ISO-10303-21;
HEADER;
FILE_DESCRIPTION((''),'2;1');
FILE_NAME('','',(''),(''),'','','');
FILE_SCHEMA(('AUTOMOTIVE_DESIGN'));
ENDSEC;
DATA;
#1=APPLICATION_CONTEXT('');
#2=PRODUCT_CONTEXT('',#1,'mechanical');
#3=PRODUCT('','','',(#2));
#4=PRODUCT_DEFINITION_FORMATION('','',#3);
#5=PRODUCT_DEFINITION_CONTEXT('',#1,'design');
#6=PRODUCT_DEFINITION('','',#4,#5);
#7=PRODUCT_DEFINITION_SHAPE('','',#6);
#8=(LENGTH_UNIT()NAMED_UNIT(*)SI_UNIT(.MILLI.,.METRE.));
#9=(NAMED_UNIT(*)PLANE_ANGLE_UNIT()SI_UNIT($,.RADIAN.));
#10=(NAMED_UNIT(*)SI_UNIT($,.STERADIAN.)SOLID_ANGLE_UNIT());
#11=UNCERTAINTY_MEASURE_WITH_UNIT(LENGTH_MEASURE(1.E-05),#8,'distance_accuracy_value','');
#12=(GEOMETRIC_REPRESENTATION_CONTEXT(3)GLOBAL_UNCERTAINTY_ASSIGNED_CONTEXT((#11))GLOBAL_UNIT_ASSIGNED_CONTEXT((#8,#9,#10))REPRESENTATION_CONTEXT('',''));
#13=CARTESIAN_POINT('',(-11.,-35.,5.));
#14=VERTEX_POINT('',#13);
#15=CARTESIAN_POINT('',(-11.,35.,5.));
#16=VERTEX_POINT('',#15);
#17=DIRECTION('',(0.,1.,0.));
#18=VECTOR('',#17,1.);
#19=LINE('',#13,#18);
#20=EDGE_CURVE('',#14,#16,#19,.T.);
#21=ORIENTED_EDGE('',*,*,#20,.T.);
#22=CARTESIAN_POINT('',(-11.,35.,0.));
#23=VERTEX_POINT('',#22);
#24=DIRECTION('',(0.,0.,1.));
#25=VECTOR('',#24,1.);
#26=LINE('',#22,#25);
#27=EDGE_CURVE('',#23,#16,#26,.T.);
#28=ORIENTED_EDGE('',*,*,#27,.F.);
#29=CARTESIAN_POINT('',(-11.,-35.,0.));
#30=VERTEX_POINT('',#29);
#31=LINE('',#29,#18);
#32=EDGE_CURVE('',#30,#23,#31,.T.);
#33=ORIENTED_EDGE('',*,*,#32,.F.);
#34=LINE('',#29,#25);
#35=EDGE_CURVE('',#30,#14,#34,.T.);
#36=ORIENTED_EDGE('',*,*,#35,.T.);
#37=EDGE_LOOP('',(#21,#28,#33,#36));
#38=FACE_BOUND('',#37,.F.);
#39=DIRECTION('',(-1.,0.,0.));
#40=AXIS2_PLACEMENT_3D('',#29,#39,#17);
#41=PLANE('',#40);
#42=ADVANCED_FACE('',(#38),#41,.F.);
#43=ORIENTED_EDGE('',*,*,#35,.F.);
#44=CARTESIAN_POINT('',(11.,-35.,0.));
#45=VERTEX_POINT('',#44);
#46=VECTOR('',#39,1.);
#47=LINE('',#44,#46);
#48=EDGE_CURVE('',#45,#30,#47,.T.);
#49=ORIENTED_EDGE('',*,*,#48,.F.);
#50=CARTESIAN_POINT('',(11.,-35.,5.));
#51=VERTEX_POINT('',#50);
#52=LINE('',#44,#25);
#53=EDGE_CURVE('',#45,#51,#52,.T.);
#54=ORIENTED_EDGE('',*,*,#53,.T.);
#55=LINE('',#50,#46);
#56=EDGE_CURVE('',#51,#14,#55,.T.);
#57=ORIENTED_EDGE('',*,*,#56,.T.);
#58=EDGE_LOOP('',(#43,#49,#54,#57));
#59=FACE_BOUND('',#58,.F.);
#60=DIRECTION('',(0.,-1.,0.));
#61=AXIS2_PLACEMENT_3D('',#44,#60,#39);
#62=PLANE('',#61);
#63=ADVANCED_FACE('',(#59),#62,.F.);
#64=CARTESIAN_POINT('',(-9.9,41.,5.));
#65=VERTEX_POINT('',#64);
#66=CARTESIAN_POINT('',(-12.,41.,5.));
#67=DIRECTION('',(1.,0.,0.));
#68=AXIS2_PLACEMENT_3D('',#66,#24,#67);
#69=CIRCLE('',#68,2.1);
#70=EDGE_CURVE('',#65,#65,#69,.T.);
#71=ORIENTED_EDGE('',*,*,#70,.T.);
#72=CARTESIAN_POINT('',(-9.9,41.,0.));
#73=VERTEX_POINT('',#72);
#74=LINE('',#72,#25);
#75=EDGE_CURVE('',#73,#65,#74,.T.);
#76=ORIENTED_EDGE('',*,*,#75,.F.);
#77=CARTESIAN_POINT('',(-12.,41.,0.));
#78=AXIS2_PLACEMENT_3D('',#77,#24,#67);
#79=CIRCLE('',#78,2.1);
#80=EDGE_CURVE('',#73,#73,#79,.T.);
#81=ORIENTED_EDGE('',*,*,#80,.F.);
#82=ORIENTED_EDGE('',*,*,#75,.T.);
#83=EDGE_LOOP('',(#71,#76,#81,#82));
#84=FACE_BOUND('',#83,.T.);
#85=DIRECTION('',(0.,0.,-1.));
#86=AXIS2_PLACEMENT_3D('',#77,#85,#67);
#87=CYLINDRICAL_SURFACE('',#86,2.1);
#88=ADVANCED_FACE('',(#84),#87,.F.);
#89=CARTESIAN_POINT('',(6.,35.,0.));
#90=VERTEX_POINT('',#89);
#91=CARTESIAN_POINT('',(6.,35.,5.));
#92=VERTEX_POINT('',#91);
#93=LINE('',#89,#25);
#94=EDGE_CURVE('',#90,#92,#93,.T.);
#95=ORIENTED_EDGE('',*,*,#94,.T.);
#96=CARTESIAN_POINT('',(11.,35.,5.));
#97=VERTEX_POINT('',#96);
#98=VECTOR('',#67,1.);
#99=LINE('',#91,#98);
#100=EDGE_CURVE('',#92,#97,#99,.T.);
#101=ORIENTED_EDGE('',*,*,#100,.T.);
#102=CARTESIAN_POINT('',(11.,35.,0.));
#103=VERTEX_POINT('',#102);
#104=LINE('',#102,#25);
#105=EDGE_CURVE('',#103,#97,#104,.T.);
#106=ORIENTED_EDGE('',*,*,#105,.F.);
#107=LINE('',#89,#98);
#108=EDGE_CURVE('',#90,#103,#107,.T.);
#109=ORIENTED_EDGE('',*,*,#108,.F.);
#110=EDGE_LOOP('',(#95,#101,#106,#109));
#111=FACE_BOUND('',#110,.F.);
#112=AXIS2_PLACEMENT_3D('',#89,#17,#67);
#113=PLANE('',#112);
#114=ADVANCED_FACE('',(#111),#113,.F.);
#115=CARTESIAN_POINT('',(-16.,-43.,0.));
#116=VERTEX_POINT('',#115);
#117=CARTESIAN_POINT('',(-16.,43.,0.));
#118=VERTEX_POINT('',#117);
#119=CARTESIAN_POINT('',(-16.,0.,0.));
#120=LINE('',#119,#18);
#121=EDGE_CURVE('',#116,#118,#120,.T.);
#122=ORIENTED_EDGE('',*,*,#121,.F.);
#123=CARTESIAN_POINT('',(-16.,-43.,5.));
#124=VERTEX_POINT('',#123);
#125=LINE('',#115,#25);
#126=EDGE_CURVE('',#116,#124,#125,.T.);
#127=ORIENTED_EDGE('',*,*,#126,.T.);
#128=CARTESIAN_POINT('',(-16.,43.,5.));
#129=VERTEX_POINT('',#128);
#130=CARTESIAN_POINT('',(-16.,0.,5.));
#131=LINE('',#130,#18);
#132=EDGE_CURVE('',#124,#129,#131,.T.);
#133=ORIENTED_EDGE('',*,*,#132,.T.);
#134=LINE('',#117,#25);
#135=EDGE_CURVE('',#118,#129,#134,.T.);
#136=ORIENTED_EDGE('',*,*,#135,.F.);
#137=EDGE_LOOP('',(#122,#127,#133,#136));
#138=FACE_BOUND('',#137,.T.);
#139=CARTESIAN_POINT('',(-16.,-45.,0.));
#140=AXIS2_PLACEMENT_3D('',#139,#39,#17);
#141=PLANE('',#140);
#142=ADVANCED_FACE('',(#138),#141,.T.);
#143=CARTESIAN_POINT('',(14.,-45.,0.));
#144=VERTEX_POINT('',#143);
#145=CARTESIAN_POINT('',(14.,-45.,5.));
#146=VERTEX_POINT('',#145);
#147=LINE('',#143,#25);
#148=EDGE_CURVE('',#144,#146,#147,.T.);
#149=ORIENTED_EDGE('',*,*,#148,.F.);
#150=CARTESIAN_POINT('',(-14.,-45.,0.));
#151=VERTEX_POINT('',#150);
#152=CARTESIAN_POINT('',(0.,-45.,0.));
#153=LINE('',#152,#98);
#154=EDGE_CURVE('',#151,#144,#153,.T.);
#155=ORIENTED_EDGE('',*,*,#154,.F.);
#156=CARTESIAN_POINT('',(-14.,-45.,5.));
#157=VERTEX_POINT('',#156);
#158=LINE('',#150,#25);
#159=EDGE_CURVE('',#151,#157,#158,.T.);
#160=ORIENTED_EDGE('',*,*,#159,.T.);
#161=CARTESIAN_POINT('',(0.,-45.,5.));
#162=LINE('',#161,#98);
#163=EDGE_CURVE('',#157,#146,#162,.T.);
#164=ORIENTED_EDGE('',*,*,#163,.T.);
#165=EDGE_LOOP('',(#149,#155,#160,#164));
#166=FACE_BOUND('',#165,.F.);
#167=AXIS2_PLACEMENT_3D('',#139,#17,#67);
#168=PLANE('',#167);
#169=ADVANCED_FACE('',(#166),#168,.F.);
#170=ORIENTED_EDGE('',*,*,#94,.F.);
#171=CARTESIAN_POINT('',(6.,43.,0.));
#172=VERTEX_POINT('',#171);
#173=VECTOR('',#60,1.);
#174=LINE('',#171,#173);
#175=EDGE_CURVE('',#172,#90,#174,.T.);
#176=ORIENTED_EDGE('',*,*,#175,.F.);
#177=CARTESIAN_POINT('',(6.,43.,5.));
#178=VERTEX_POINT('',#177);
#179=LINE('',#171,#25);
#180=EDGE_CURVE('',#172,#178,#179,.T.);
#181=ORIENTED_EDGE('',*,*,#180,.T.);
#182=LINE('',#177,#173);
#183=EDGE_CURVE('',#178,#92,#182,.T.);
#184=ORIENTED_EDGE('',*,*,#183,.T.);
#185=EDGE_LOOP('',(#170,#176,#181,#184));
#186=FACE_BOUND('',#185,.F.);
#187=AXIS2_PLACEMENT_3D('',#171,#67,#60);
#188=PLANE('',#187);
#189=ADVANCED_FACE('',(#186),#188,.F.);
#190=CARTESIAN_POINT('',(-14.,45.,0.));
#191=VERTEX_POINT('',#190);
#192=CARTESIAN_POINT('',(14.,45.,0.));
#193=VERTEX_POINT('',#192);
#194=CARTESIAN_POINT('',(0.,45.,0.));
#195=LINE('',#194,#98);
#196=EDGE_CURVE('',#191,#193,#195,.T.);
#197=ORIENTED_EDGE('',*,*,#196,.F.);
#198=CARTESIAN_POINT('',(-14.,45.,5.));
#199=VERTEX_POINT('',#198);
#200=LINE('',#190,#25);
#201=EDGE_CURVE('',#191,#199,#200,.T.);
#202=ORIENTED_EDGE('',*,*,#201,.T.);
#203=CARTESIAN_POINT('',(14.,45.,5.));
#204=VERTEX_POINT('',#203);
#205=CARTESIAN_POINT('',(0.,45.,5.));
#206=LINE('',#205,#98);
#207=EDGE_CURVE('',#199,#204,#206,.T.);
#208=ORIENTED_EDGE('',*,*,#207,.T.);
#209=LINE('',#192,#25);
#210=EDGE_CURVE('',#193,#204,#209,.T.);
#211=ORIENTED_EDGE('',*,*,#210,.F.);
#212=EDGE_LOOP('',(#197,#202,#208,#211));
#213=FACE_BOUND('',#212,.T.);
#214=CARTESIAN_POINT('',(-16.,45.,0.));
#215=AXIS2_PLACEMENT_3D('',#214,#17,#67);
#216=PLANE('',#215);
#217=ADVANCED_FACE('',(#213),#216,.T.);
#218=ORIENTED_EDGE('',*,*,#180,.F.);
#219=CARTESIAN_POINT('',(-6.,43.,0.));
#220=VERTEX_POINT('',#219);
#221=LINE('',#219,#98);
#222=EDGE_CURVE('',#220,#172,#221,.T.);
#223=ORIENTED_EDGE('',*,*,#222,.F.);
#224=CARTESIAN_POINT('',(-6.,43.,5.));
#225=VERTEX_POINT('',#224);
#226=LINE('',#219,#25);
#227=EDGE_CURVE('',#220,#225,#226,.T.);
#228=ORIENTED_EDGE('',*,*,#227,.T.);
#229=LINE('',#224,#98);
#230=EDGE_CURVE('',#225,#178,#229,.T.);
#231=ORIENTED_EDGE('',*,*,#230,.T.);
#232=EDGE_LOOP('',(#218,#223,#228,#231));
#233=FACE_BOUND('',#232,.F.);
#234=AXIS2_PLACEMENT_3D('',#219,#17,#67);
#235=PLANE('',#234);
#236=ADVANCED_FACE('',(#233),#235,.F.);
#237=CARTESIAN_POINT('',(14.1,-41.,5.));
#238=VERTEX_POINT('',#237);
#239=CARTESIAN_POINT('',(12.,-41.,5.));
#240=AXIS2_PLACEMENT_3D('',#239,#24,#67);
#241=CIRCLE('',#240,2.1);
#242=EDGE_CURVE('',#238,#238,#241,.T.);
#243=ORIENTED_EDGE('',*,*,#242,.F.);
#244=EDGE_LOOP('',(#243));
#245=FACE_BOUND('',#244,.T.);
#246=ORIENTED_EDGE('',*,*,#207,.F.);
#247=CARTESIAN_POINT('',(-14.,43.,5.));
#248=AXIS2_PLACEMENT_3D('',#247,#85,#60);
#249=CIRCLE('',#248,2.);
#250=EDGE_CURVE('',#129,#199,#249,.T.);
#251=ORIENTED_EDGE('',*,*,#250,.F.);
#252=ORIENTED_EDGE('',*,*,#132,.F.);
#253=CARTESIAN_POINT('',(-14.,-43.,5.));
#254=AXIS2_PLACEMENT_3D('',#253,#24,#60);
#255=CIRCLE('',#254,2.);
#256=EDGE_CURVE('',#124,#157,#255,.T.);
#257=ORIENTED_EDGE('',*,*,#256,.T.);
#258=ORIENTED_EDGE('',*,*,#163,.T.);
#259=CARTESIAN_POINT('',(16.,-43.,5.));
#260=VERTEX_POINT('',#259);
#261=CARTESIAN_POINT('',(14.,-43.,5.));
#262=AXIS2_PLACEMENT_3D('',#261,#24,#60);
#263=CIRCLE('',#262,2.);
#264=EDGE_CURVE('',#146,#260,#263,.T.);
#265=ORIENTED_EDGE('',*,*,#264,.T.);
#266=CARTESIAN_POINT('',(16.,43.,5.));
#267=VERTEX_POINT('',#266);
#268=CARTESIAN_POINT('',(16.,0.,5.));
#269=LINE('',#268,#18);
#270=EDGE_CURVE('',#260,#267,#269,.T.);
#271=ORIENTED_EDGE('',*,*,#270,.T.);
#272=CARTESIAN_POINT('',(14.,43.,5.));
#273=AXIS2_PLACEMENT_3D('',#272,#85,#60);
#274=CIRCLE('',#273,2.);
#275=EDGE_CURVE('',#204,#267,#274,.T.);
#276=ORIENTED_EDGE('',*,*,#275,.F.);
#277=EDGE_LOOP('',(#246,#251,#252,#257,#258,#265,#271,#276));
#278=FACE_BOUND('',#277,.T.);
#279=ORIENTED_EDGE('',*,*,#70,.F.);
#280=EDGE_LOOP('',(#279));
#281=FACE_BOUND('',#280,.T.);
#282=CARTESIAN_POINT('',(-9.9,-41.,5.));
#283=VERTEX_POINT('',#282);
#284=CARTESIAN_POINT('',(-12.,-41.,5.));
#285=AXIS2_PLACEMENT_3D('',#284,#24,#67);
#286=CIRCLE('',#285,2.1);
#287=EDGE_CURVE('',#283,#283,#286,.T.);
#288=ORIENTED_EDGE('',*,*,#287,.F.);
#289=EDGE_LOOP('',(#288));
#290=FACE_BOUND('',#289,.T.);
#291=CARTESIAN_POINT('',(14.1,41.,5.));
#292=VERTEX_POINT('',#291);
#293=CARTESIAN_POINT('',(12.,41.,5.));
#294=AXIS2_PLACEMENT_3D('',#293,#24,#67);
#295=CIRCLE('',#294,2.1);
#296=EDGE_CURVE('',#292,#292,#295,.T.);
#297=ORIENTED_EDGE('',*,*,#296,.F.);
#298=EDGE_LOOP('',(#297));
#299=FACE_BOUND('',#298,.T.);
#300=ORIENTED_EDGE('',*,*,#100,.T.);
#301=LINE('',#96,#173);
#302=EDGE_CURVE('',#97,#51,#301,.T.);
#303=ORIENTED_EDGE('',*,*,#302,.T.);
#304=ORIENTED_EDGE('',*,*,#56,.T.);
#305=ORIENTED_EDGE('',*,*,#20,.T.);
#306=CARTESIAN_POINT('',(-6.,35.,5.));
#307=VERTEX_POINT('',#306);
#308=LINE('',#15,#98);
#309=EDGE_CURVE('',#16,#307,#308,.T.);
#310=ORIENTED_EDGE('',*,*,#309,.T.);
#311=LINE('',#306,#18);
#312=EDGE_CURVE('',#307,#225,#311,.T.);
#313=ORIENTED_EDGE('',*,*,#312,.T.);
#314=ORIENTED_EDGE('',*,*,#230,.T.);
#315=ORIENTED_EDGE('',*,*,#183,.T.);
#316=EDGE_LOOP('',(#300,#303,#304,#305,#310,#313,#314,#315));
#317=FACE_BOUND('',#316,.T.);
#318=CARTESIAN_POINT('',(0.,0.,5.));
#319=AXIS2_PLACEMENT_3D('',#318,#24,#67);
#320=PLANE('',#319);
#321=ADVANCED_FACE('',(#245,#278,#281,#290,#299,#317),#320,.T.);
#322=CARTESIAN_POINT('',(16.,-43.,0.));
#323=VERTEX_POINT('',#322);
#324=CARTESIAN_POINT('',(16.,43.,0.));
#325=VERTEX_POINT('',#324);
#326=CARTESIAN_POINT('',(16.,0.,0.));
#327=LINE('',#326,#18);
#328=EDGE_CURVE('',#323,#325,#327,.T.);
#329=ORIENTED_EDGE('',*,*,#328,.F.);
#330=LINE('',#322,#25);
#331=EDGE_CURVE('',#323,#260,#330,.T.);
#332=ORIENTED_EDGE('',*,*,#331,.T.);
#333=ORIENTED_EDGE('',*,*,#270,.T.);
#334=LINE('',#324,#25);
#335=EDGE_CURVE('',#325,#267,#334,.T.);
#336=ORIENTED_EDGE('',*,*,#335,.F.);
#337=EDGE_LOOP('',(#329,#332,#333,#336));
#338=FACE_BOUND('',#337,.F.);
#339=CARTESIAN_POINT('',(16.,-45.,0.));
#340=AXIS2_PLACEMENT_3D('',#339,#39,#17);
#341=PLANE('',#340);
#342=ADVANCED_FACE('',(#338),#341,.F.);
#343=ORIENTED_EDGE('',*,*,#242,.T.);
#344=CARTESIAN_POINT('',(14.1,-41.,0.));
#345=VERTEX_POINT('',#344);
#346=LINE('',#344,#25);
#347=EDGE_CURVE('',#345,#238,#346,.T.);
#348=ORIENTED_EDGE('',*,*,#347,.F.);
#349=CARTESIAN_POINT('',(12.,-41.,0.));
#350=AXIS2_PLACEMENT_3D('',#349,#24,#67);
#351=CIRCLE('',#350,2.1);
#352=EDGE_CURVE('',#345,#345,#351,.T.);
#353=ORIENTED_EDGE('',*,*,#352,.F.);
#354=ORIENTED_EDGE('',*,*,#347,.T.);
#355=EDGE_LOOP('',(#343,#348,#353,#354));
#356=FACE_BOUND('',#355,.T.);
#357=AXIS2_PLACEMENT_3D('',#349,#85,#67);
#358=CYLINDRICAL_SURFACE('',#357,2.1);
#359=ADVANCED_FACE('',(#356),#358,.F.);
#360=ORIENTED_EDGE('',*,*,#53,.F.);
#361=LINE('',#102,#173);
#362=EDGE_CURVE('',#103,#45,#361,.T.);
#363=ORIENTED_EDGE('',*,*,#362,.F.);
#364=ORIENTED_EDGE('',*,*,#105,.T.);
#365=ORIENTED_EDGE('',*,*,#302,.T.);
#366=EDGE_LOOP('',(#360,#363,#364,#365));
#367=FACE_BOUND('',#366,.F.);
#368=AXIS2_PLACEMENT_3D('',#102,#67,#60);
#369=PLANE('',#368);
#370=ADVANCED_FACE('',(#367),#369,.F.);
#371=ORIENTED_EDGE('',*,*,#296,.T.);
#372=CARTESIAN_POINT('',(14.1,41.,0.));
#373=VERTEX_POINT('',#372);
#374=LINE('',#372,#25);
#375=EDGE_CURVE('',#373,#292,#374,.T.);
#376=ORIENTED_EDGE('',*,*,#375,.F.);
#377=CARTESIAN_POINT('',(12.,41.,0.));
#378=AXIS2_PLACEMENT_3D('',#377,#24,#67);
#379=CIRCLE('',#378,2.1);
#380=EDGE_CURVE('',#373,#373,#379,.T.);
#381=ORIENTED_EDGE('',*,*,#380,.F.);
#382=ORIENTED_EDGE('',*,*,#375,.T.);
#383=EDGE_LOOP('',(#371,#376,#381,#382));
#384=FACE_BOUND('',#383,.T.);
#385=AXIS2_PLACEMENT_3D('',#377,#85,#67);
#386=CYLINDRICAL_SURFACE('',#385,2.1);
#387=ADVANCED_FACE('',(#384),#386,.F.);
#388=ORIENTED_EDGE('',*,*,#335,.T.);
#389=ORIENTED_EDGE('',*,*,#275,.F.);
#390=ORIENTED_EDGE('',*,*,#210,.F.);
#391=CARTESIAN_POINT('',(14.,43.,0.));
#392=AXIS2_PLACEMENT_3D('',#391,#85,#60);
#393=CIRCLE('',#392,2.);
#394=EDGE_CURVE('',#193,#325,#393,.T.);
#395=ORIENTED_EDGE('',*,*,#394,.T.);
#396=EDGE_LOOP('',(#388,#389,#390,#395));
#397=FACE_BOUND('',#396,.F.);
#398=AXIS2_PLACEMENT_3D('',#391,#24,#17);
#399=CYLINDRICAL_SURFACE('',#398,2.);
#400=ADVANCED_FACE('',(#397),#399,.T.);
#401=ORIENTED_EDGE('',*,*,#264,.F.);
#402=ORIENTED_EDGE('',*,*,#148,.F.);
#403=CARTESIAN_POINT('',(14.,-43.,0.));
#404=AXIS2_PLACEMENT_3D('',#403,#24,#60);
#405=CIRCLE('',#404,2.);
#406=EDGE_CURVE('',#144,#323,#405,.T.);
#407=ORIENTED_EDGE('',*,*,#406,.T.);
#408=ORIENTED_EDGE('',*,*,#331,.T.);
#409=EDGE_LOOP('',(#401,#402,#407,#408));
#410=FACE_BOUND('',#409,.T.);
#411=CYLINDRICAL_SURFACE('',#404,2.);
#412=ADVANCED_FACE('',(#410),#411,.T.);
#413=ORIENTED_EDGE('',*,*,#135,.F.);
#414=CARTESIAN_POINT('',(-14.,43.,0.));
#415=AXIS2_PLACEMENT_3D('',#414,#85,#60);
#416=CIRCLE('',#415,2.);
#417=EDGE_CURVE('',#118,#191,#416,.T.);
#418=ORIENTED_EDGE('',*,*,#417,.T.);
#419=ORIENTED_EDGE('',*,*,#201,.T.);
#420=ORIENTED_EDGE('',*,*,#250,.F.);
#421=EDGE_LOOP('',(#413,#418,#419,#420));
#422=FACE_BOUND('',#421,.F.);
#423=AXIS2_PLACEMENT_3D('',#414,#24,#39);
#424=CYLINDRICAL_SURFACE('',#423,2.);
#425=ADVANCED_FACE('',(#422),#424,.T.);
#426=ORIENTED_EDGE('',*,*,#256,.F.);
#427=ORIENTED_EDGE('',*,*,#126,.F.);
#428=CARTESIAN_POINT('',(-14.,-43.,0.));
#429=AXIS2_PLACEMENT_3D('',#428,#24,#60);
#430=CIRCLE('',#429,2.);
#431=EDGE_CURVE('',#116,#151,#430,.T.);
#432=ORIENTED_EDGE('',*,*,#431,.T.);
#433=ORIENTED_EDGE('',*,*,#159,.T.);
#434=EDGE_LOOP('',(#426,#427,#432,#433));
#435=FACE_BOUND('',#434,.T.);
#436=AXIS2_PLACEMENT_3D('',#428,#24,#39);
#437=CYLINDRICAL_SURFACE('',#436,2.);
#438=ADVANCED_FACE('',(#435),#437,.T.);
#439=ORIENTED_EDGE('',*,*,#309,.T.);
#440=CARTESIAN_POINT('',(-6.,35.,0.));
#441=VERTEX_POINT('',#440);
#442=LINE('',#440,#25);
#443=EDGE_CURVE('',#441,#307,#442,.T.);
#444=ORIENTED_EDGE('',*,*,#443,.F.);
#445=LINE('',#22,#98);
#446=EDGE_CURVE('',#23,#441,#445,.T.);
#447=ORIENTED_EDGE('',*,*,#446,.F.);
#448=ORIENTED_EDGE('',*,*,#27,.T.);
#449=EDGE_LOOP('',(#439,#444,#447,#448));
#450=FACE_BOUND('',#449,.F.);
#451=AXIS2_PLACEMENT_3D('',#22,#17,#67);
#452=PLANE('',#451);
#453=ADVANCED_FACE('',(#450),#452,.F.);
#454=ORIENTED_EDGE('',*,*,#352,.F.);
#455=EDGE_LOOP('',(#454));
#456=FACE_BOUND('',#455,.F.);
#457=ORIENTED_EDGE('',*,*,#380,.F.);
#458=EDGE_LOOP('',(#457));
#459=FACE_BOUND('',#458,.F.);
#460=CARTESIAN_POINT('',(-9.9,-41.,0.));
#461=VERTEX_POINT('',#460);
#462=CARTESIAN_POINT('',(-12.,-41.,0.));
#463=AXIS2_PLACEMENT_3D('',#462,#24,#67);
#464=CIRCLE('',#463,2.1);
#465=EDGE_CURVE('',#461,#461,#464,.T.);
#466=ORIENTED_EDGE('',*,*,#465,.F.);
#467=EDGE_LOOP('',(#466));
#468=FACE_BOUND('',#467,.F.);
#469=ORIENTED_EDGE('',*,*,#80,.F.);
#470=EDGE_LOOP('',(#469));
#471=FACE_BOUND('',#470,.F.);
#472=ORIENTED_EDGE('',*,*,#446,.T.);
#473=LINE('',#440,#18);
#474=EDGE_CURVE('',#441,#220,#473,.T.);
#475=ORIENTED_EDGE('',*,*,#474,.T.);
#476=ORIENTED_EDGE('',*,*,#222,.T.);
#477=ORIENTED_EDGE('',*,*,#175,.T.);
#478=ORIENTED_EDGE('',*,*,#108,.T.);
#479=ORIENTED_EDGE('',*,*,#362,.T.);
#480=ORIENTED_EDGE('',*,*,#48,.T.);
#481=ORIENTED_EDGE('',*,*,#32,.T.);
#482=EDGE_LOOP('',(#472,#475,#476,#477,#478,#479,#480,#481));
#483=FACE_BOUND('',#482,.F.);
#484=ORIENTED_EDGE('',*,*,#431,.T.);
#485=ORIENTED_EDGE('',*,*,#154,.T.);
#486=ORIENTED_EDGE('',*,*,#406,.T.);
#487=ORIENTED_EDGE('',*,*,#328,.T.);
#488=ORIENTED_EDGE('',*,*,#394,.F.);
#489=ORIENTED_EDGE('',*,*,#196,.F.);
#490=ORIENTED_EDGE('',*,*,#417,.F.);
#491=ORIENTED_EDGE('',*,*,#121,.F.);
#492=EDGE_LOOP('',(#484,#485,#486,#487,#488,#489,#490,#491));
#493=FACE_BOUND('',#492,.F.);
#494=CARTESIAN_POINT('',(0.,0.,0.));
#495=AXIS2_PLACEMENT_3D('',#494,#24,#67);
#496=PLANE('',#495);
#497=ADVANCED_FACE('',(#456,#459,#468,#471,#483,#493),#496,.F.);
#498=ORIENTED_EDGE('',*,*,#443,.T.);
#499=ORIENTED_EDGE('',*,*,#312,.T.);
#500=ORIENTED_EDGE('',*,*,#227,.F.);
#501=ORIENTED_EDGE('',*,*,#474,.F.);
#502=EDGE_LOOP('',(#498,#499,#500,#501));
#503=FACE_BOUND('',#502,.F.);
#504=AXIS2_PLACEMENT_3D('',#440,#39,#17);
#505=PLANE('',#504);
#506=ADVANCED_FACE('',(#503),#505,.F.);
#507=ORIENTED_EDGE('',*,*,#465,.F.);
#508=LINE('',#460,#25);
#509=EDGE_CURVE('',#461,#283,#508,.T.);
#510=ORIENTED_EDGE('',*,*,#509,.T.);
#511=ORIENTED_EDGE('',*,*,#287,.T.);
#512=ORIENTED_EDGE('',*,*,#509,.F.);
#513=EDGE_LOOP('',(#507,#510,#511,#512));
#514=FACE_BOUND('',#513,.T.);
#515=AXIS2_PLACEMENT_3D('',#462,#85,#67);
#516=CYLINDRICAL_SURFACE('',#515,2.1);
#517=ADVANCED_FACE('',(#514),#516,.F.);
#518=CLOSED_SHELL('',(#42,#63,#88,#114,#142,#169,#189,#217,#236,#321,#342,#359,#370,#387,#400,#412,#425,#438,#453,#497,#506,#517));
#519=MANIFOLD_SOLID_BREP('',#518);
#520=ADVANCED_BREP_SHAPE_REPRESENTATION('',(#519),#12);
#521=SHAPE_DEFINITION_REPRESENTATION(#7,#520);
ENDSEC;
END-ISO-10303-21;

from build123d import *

# Parameters (mm, degrees)
SKETCH_W      = 32
SKETCH_H      = 90
SKETCH_R      = 2.1
EXTRUDE_DEPTH = 5
FILLET_R      = 2


with BuildPart() as part:
    # Sketch → Extrude (new body)
    with BuildSketch(Plane.XY):
        Rectangle(SKETCH_W, SKETCH_H)
        with Locations((-12, 41)):
            Circle(SKETCH_R, mode=Mode.SUBTRACT)
        with Locations((12, 41)):
            Circle(SKETCH_R, mode=Mode.SUBTRACT)
        with Locations((-12, -41)):
            Circle(SKETCH_R, mode=Mode.SUBTRACT)
        with Locations((12, -41)):
            Circle(SKETCH_R, mode=Mode.SUBTRACT)
        Polygon((11, 35), (11, -35), (-11, -35), (-11, 35), (-6, 35), (-6, 43), (6, 43), (6, 35), align=None, mode=Mode.SUBTRACT)
    extrude(amount=EXTRUDE_DEPTH)

    # Fillet
    fillet_edges = [part.edges().sort_by_distance(p)[0] for p in [
        (-16, 45, 2.5),
        (16, 45, 2.5),
        (16, -45, 2.5),
        (-16, -45, 2.5),
    ]]
    fillet(fillet_edges, radius=FILLET_R)


solid = part.part
